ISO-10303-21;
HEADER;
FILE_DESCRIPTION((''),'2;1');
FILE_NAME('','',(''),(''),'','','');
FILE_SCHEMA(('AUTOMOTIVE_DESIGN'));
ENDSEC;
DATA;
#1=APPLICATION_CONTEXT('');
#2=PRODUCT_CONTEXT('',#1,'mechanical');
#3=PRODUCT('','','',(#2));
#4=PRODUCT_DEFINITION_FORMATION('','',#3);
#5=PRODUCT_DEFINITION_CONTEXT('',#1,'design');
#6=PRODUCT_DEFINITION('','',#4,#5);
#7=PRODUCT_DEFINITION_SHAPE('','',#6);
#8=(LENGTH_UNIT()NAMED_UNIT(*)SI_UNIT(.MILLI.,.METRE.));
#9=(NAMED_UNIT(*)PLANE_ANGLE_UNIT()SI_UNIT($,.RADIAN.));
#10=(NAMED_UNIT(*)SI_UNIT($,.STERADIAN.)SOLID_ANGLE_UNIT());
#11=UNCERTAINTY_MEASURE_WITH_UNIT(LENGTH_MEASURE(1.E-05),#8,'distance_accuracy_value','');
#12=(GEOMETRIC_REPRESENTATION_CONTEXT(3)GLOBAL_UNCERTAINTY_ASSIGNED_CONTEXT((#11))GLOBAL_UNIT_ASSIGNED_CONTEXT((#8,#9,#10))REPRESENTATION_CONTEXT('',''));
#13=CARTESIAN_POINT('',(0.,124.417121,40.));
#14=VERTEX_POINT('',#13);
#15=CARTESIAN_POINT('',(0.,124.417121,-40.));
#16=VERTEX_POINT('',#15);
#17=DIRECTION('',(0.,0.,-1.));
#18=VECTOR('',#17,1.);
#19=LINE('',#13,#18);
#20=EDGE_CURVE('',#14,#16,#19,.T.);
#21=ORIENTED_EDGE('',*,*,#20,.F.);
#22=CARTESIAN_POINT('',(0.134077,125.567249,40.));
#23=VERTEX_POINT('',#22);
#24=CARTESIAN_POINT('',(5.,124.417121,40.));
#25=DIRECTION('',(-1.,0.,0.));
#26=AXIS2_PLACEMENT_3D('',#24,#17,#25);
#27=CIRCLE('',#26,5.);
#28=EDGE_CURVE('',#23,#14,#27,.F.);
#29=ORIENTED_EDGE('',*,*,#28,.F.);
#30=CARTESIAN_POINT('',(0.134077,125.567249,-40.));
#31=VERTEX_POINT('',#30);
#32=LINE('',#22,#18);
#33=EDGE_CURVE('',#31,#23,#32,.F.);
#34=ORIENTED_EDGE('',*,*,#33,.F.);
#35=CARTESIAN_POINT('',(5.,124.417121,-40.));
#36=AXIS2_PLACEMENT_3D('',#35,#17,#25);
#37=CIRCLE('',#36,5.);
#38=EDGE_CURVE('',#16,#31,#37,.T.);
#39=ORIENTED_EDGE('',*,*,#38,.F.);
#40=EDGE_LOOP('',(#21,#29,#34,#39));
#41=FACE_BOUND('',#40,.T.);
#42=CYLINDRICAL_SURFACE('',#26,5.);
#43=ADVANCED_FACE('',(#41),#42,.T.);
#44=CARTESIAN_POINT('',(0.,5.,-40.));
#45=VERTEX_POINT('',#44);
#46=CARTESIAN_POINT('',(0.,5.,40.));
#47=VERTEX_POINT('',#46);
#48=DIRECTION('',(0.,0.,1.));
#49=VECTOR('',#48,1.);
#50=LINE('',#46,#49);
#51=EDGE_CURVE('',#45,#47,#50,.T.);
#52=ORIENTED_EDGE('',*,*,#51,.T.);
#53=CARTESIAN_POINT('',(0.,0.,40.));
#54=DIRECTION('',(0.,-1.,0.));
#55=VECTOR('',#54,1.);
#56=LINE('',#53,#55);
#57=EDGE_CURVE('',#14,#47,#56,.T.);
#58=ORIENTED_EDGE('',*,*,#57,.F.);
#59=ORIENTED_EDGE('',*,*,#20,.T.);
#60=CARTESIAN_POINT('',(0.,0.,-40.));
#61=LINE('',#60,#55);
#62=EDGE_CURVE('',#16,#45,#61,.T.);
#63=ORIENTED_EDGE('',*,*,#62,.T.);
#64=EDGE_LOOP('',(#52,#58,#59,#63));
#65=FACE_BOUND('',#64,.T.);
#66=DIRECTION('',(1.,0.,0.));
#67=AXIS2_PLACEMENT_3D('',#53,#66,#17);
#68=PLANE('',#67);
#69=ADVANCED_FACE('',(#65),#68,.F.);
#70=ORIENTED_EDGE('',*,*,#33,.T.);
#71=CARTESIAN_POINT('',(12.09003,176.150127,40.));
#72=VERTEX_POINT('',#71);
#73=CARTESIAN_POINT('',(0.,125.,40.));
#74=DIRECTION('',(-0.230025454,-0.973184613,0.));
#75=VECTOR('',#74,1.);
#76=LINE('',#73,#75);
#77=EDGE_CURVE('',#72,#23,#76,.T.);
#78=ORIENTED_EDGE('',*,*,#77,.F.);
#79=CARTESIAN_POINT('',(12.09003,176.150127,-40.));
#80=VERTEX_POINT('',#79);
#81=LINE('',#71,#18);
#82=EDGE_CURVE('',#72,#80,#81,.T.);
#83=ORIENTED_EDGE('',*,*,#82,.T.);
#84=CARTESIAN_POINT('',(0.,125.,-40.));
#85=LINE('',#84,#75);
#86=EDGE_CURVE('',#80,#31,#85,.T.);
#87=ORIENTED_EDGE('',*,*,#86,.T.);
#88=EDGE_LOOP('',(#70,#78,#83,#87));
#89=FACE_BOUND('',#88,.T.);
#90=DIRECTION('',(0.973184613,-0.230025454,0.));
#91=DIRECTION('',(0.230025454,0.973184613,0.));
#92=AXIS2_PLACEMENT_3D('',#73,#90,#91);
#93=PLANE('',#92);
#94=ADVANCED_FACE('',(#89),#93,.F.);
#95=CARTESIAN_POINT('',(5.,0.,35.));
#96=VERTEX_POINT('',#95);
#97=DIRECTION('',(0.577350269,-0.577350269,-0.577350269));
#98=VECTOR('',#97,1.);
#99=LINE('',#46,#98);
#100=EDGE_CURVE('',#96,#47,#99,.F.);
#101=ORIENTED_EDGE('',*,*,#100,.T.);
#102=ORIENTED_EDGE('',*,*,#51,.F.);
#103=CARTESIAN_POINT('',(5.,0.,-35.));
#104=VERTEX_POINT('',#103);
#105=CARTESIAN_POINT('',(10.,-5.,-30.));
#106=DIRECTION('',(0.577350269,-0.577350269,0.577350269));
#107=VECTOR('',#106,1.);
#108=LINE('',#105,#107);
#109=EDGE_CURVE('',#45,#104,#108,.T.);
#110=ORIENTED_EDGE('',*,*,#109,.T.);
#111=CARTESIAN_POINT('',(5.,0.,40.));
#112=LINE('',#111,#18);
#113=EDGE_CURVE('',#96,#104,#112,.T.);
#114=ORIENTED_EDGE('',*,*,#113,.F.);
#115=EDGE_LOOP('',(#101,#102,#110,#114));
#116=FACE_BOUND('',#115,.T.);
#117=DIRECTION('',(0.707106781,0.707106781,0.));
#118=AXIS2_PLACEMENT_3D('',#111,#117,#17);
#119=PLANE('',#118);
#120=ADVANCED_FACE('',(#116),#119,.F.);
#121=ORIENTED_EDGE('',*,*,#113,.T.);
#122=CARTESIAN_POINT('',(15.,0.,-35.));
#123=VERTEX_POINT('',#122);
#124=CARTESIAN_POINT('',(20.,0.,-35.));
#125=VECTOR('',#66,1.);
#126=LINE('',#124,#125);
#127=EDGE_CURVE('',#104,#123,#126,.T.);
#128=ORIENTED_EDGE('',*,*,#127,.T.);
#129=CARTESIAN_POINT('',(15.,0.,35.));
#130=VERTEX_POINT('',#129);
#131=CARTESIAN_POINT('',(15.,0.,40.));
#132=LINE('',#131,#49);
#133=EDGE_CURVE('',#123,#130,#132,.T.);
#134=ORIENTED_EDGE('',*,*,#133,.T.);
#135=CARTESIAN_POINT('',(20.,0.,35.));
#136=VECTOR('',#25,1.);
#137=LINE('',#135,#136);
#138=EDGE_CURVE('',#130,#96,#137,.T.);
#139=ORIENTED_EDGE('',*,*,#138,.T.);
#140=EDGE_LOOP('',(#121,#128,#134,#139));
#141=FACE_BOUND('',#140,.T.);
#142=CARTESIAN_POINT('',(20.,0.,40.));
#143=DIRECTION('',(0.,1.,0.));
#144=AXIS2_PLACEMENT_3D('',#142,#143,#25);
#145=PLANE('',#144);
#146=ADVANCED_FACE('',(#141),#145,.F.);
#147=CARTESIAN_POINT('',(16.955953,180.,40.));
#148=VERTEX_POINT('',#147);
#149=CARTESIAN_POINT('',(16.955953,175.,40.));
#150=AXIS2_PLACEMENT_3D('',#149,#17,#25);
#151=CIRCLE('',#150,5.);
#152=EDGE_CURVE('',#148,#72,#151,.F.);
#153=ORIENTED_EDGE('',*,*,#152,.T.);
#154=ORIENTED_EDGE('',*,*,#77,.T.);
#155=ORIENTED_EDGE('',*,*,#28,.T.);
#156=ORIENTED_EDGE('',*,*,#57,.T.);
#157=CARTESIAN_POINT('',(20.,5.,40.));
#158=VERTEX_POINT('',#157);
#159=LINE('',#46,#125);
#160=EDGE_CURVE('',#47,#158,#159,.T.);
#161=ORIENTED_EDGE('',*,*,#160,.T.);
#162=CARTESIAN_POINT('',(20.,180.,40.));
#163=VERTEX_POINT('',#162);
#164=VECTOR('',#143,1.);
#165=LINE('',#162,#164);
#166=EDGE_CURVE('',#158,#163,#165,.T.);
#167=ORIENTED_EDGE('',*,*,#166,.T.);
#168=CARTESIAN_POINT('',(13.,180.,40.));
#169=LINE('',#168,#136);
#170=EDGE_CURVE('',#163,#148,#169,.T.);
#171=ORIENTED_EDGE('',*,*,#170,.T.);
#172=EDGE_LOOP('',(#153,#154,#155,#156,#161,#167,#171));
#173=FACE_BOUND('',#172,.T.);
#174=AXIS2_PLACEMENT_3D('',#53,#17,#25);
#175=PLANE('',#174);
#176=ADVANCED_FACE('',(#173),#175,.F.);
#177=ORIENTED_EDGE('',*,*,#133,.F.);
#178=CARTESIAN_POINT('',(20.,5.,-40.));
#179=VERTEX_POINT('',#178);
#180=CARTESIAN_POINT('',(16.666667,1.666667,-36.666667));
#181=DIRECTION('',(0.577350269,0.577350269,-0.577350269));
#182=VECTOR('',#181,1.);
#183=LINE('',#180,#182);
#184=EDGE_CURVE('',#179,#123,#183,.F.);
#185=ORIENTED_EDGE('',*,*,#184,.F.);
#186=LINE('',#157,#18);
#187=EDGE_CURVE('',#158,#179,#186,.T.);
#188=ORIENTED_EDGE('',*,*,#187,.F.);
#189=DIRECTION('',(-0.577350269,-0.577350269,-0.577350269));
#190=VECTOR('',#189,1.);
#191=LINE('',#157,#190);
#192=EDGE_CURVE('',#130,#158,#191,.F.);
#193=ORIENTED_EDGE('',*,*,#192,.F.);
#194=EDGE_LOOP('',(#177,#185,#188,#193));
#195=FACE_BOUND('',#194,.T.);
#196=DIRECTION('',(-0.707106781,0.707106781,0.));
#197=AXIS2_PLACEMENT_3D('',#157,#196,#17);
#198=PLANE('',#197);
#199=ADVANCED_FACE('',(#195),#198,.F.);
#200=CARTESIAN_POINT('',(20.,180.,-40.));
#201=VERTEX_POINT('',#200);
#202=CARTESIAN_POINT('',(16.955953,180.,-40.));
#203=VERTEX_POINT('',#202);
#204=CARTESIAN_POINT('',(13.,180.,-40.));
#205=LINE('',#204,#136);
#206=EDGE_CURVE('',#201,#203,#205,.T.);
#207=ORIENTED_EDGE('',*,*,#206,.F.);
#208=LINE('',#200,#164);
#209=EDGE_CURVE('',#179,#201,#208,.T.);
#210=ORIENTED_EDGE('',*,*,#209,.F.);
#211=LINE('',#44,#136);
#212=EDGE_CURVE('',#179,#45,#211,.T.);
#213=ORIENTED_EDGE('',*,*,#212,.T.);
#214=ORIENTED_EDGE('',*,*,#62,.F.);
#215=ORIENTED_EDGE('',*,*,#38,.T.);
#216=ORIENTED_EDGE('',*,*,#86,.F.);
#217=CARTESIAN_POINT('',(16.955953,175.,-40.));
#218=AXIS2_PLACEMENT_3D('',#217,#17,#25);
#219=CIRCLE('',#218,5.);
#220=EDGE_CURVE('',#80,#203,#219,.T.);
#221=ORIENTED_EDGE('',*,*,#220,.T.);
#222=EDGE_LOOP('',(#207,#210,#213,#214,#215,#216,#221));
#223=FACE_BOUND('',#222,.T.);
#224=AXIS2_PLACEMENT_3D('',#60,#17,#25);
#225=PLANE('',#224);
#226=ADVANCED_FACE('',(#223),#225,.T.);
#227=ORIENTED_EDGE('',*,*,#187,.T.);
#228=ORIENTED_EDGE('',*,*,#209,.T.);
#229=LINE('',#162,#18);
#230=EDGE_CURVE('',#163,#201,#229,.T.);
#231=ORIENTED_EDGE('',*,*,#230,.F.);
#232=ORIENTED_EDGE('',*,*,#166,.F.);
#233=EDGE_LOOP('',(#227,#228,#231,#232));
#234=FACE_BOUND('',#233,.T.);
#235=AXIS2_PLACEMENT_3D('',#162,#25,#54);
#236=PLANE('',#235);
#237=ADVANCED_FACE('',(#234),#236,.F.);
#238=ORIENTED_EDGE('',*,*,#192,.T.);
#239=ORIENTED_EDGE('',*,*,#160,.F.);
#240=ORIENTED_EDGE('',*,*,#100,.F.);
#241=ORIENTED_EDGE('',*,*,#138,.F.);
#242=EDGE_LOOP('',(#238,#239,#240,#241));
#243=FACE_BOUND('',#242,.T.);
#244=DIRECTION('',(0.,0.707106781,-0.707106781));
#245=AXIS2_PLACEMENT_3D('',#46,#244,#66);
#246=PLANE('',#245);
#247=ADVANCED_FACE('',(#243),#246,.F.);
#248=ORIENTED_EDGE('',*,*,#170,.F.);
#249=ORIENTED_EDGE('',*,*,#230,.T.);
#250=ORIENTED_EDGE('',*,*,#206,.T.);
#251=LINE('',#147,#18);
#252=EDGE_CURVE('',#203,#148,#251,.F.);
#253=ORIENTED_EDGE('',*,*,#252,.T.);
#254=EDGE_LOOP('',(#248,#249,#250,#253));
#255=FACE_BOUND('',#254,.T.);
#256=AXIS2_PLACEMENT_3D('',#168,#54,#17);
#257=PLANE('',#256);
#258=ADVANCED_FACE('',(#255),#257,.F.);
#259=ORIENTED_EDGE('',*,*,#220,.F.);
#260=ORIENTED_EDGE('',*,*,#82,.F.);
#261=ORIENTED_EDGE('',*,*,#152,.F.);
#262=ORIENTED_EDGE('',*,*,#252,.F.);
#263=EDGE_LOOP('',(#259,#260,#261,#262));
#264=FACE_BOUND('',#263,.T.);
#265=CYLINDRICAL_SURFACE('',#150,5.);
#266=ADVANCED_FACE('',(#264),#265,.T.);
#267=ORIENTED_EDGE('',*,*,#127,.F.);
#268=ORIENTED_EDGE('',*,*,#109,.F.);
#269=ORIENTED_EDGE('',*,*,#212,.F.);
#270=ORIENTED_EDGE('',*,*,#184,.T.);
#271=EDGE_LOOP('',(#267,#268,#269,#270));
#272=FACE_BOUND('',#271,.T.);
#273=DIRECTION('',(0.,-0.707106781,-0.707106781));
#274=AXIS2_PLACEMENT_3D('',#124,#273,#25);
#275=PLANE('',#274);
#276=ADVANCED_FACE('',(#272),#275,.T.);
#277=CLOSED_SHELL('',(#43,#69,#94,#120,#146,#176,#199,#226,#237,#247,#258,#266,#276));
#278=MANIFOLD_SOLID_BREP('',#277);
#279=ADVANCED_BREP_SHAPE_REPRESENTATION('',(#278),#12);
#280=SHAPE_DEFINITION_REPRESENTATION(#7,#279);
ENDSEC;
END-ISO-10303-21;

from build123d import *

# Parameters (mm, degrees)
EXTRUDE_1_DEPTH = 40
CHAMFER_1_SIZE  = 5
FILLET_1_R      = 5


with BuildPart() as part:
    # 草图1 → 凸台-拉伸1 (new, symmetric)
    with BuildSketch(Plane.XY):
        Polygon((0, 0), (0, 125), (13, 180), (20, 180), (20, 0), align=None)
    extrude(amount=EXTRUDE_1_DEPTH, both=True)

    # 倒角1
    chamfer_1_edges = [part.edges().sort_by_distance(p)[0] for p in [
        (10, 0, 40),
        (10, 0, -40),
        (0, 0, 0),
        (20, 0, 0),
    ]]
    chamfer(chamfer_1_edges, length=CHAMFER_1_SIZE)

    # 圆角1
    fillet_1_edges = [part.edges().sort_by_distance(p)[0] for p in [
        (0, 125, 0),
        (13, 180, 0),
    ]]
    fillet(fillet_1_edges, radius=FILLET_1_R)


solid = part.part
